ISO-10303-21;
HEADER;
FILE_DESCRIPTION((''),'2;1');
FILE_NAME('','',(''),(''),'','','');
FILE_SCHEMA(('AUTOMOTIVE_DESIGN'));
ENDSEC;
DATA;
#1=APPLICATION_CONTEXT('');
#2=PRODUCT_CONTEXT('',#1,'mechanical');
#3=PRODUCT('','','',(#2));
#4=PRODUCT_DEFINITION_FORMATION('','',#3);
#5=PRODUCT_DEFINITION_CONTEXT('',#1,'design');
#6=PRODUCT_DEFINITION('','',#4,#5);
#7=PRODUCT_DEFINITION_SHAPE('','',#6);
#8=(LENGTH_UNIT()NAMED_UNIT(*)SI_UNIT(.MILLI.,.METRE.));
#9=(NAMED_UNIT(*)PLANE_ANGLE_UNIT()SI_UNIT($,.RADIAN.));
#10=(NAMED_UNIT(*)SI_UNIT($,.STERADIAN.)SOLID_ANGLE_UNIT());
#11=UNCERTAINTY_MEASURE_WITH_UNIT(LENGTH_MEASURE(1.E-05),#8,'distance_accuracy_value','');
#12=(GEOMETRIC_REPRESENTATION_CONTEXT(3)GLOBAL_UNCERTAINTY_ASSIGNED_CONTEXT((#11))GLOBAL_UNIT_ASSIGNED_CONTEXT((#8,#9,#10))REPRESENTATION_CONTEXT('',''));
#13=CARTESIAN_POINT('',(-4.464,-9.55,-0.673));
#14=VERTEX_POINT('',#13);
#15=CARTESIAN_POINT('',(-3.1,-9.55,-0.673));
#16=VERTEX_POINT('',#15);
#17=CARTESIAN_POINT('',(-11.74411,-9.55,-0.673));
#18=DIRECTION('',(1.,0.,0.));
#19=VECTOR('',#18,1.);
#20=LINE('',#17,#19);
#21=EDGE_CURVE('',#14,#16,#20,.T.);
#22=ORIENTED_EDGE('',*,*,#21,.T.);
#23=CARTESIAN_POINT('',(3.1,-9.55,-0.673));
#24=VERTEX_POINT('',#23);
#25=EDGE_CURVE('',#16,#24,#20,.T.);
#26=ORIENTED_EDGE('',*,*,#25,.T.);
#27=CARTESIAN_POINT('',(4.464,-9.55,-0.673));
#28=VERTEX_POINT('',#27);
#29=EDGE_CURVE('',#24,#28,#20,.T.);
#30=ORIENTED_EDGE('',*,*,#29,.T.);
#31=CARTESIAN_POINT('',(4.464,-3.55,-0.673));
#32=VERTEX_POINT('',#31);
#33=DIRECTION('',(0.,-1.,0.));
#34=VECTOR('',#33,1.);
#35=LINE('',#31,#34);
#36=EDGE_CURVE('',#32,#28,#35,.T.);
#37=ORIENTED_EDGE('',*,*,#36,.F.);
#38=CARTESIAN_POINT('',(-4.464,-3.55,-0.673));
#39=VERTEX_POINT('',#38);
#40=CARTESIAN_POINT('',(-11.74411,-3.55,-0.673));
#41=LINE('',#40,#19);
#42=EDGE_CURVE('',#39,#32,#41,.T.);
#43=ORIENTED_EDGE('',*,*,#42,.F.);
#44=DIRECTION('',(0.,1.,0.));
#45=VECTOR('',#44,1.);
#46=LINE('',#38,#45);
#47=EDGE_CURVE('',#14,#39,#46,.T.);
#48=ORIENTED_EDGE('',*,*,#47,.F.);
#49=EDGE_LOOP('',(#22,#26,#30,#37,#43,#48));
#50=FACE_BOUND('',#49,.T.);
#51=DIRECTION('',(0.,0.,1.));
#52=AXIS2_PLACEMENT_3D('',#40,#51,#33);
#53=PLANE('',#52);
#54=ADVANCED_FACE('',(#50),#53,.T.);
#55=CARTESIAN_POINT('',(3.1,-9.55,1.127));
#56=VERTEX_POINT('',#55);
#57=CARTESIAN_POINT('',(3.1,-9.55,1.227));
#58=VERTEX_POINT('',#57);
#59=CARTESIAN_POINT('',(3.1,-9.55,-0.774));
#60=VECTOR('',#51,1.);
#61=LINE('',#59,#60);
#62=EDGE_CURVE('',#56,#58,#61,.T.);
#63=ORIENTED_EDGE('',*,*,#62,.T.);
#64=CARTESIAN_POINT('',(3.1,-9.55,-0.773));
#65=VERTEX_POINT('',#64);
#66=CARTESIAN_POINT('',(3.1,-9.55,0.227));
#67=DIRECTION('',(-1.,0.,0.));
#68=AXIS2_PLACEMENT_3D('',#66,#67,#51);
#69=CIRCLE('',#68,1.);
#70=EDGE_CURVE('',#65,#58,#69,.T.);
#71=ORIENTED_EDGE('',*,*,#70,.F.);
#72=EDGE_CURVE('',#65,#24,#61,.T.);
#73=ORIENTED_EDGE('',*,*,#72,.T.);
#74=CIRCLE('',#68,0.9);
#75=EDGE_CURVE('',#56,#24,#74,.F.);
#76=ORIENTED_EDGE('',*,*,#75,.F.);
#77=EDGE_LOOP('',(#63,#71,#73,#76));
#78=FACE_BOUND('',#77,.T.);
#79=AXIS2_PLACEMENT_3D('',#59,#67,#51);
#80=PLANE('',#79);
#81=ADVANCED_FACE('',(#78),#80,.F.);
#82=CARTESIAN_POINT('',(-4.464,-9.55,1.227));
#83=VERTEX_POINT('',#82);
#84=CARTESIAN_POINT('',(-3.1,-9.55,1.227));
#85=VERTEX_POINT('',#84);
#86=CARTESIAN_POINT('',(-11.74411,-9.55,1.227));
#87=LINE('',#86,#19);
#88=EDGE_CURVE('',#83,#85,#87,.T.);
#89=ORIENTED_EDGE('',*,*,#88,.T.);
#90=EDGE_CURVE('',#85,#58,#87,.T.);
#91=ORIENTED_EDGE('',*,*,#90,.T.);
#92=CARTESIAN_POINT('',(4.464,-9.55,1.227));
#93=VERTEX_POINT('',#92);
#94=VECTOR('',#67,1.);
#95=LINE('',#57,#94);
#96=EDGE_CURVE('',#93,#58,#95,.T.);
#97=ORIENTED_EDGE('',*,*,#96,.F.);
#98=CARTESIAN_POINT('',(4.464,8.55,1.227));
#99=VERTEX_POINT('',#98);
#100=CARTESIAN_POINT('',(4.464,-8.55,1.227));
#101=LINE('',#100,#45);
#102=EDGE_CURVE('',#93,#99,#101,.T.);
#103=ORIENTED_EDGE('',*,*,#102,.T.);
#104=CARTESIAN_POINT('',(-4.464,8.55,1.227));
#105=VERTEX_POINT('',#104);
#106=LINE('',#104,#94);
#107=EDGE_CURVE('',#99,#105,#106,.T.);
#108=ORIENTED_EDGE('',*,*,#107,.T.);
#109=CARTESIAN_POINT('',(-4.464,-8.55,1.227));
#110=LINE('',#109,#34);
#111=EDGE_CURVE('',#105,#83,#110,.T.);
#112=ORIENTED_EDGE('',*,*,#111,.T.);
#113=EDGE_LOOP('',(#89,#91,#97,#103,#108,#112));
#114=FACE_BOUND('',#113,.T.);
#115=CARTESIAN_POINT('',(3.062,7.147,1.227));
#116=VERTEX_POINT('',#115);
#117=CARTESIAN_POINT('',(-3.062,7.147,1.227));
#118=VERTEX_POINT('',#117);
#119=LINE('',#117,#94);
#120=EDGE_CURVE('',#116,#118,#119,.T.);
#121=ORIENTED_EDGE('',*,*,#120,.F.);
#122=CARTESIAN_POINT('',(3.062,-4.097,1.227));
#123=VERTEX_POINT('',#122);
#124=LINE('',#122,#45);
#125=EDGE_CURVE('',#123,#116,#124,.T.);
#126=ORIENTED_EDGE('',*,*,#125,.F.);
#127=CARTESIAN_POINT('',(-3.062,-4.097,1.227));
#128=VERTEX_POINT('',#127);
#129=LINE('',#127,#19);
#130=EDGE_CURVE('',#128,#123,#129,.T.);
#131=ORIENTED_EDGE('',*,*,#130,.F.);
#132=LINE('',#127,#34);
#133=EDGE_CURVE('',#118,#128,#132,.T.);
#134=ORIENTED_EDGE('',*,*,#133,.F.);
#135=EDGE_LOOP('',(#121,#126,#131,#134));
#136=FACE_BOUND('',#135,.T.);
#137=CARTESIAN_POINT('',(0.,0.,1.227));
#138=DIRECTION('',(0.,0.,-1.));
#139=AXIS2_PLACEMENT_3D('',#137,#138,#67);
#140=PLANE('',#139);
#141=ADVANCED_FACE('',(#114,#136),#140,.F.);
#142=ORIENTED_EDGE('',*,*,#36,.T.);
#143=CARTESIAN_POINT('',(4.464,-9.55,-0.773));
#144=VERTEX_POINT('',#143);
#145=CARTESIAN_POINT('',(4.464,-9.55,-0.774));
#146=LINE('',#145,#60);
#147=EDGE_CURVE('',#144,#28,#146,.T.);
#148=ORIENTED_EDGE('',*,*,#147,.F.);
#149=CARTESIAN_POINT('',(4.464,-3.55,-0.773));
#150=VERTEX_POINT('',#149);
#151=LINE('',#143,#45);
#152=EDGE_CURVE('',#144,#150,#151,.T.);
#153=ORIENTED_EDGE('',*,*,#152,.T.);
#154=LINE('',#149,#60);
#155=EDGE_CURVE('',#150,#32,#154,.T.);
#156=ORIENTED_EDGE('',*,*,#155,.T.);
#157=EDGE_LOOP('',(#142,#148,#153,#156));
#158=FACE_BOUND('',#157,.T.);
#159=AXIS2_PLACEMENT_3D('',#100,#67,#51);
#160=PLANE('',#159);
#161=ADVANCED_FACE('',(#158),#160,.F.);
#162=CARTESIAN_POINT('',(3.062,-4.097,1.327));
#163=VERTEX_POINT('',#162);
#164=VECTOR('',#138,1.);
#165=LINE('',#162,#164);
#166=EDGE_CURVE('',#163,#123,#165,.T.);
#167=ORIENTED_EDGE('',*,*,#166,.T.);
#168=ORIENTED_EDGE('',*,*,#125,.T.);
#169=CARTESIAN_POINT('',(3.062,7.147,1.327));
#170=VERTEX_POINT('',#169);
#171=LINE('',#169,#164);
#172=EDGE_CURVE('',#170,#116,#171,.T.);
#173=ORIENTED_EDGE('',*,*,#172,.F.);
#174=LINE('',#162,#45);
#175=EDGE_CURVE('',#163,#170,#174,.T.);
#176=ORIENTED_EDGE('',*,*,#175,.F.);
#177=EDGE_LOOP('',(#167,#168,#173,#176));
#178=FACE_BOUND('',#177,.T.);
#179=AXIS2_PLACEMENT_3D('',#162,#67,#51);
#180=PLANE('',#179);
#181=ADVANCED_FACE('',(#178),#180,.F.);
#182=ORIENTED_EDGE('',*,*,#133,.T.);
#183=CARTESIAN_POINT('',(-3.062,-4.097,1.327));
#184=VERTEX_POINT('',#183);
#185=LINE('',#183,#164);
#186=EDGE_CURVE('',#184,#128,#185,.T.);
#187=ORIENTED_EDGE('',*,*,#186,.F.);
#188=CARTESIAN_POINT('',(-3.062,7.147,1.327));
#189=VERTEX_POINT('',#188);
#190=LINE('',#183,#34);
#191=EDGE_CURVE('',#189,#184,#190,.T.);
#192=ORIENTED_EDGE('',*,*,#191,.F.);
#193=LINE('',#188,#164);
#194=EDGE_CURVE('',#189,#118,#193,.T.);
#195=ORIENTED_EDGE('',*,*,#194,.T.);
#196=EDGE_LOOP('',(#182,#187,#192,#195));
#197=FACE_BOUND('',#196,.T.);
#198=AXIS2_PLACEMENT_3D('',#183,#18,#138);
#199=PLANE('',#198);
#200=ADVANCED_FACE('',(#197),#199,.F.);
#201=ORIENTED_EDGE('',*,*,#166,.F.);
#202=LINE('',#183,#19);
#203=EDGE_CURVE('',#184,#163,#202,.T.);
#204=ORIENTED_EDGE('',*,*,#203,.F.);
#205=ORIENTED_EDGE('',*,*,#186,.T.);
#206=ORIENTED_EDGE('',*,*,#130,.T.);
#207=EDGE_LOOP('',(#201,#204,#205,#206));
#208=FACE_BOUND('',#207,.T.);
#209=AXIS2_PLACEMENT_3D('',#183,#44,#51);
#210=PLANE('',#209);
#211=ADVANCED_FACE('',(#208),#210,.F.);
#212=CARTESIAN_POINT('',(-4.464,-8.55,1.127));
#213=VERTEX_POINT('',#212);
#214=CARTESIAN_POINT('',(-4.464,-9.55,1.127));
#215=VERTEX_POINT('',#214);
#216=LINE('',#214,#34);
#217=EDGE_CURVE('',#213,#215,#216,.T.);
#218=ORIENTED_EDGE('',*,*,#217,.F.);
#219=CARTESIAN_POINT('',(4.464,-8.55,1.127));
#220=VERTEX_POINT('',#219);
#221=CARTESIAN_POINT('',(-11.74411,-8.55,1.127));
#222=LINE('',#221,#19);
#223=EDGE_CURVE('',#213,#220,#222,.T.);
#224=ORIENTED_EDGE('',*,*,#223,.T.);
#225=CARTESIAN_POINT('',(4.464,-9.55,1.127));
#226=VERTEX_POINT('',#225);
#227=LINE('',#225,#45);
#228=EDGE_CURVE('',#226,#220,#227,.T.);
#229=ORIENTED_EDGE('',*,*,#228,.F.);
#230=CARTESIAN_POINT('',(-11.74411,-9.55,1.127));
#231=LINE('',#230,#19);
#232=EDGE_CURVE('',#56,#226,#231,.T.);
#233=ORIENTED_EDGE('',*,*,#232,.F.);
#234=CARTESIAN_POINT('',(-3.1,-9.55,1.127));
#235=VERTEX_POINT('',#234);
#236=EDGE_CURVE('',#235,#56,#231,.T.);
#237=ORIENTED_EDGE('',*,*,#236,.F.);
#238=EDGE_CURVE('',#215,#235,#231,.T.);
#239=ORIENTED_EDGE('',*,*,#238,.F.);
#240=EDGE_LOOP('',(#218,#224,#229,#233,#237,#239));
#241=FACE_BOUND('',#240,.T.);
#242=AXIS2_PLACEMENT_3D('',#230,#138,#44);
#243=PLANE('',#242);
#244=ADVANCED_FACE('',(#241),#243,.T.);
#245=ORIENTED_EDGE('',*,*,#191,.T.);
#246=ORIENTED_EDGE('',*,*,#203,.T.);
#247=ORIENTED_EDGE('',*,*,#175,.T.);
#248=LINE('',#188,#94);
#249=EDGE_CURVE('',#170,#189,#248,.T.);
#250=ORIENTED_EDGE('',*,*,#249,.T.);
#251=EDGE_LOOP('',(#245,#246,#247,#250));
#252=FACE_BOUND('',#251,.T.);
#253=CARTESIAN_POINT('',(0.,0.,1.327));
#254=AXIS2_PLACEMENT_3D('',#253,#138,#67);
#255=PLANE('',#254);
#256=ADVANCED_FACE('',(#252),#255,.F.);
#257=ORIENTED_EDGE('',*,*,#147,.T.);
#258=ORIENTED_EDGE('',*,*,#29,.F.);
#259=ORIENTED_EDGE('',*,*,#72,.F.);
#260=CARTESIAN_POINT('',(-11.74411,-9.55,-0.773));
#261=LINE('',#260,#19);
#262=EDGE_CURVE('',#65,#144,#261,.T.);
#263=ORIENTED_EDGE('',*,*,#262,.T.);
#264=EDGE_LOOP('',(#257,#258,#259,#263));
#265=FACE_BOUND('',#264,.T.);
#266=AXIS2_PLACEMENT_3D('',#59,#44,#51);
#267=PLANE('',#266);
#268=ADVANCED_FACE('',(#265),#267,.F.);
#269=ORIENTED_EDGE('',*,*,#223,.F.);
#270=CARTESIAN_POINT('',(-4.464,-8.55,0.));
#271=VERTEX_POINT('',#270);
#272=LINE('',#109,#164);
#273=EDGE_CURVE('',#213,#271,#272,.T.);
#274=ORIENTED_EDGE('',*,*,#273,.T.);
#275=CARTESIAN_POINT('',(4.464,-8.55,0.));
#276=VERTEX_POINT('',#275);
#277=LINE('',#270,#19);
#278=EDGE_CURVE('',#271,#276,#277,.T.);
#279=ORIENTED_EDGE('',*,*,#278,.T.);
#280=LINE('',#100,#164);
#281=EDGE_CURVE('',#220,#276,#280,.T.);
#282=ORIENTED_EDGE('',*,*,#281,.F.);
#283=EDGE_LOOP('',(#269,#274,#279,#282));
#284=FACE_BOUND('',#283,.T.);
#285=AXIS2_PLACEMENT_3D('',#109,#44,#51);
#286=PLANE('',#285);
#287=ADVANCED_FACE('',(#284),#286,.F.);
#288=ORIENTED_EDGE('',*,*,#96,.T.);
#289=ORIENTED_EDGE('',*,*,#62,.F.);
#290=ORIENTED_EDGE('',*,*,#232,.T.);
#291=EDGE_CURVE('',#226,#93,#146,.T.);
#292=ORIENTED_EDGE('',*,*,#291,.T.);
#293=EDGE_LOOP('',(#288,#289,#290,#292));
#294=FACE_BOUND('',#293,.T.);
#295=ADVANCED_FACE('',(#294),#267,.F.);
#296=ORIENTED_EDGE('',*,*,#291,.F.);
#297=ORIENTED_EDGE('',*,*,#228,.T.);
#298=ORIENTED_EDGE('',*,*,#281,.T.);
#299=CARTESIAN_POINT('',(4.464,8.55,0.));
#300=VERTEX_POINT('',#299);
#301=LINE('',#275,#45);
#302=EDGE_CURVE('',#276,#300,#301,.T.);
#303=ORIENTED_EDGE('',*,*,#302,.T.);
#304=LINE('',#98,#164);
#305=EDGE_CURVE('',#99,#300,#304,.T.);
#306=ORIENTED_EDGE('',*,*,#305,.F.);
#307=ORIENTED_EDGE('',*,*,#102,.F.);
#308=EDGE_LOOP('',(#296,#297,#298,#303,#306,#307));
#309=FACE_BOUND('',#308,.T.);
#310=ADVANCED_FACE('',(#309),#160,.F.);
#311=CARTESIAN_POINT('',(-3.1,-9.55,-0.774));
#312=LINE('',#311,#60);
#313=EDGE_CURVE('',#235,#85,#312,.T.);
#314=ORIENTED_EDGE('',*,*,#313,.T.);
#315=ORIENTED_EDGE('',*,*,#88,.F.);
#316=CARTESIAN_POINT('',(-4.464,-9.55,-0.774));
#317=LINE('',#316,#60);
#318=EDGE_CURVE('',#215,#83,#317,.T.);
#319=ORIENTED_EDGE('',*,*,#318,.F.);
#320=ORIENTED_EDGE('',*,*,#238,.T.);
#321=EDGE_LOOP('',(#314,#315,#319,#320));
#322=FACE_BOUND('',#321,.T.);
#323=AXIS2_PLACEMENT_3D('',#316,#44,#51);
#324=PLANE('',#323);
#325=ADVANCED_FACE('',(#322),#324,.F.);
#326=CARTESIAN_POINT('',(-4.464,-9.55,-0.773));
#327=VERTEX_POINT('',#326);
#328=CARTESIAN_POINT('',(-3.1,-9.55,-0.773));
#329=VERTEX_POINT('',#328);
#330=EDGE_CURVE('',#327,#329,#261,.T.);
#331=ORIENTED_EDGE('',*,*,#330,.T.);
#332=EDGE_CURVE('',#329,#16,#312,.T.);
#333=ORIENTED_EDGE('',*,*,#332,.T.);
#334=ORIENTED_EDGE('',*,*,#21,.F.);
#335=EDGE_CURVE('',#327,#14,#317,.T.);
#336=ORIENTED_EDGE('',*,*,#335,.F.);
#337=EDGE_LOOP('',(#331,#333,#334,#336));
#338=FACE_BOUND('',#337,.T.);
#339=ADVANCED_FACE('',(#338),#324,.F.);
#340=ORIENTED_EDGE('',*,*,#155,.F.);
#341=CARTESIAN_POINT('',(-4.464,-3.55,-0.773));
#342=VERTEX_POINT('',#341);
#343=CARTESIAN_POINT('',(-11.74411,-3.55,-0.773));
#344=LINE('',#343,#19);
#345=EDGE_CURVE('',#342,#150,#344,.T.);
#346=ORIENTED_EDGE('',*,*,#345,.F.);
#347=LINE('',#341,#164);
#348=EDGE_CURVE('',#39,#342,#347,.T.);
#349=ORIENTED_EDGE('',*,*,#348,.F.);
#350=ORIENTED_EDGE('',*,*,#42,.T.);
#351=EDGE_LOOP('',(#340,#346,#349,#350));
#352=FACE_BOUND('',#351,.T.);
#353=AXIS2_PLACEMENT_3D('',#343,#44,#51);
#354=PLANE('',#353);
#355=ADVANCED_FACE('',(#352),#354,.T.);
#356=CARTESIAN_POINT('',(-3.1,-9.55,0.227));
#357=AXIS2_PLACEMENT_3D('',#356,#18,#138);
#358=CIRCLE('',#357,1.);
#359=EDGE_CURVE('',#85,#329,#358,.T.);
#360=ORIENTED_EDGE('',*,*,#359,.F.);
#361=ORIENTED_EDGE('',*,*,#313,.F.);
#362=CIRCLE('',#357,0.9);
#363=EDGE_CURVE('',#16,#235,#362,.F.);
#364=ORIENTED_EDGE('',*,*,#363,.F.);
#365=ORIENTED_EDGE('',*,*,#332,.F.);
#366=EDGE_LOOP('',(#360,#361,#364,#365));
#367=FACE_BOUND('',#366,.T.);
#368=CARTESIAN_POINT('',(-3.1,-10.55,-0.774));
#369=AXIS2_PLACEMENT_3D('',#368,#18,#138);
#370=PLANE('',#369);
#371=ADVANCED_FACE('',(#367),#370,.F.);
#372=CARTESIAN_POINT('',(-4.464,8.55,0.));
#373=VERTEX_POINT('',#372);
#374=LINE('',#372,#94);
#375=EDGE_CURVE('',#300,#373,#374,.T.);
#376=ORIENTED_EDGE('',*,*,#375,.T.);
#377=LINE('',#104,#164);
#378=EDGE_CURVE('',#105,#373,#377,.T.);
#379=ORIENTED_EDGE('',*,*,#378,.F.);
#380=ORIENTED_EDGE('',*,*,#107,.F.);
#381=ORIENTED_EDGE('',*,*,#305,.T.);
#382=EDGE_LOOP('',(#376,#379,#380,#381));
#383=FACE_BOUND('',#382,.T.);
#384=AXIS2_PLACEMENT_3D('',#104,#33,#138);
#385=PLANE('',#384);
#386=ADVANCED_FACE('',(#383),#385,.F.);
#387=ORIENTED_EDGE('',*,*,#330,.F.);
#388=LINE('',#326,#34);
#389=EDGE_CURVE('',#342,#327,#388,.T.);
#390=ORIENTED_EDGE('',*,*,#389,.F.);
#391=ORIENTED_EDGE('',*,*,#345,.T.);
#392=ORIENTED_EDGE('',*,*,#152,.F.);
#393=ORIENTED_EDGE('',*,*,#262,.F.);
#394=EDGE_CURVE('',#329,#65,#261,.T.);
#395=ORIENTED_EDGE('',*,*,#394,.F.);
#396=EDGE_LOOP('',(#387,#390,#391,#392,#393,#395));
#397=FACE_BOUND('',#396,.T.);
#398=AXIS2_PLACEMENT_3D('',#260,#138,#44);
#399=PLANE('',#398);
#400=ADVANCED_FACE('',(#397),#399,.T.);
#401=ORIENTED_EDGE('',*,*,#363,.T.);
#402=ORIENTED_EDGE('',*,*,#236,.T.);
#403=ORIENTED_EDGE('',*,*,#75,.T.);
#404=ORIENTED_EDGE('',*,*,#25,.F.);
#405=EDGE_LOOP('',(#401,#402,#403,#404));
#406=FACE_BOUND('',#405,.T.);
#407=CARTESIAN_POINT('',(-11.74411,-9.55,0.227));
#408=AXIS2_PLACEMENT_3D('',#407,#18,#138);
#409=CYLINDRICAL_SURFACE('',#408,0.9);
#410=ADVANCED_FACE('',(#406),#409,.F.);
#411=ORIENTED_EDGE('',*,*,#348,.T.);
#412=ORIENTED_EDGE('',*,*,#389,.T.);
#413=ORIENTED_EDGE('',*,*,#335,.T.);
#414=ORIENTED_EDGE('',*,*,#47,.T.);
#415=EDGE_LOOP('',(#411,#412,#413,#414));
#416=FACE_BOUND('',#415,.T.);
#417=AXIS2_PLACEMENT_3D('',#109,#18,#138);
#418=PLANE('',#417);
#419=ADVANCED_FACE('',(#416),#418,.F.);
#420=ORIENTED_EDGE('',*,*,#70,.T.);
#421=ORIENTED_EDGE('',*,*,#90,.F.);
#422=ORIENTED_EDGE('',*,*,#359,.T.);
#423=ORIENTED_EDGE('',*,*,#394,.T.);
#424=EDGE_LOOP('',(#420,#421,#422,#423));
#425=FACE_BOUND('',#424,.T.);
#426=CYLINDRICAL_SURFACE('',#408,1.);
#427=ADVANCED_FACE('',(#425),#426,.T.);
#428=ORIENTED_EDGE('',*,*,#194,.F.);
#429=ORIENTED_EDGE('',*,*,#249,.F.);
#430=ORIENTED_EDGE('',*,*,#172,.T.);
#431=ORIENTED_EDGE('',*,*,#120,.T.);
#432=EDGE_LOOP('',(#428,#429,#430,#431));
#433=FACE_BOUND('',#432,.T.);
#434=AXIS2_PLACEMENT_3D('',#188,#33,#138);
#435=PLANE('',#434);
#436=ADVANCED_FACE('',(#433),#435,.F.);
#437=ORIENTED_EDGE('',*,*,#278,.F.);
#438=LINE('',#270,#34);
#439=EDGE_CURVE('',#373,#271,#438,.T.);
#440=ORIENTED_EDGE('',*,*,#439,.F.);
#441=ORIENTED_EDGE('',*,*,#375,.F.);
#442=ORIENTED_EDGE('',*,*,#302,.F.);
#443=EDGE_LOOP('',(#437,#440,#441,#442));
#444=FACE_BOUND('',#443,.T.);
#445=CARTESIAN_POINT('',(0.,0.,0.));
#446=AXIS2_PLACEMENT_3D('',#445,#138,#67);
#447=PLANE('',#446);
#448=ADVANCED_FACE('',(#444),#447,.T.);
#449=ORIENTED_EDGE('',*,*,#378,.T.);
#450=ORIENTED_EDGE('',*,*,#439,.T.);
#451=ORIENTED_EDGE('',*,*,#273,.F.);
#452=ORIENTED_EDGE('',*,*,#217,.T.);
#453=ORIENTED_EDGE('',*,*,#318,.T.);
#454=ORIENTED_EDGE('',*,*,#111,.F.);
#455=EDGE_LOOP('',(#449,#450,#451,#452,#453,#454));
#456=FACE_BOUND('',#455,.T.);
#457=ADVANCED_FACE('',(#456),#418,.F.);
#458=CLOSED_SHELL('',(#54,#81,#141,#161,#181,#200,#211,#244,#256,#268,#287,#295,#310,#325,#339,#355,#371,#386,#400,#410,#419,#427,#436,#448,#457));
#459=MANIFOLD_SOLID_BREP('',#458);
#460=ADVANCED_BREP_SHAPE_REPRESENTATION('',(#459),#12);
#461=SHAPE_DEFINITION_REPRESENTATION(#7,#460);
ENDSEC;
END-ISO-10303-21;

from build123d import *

# Parameters (mm, degrees)
ESQUISSE1_W             = 8.928
ESQUISSE1_H             = 17.1
BOSS_EXTRU_1_DEPTH      = 1.227
ESQUISSE2_W             = 6.124
ESQUISSE2_H             = 11.244
BOSS_EXTRU_2_DEPTH      = 0.1
BOSS_EXTRU_4_DEPTH      = 8.928
ENL_V_MAT_EXTRU_1_REACH = 13.629
ESQUISSE5_W             = 1.364
ESQUISSE5_H             = 1


with BuildPart() as part:
    # Esquisse1 → Boss.-Extru.1 (new body)
    with BuildSketch(Plane.XY):
        Rectangle(ESQUISSE1_W, ESQUISSE1_H)
    extrude(amount=BOSS_EXTRU_1_DEPTH)

    # Esquisse2 → Boss.-Extru.2 (add)
    with BuildSketch(Plane.XY.offset(1.227)):
        with Locations((0, 1.525)):
            Rectangle(ESQUISSE2_W, ESQUISSE2_H)
    extrude(amount=BOSS_EXTRU_2_DEPTH)

    # Esquisse4 → Boss.-Extru.4 (add)
    with BuildSketch(Plane(origin=(4.464, 0, 0), x_dir=(0, 0, -1), z_dir=(1, 0, 0))):
        with BuildLine():
            Line((-1.227, -8.55), (-1.227, -9.55))
            ThreePointArc((-1.227, -9.55), (-0.227, -10.55), (0.773, -9.55))
            Line((0.773, -9.55), (0.773, -3.55))
            Line((0.773, -3.55), (0.673, -3.55))
            Line((0.673, -3.55), (0.673, -9.55))
            ThreePointArc((0.673, -9.55), (-0.227, -10.45), (-1.127, -9.55))
            Line((-1.127, -9.55), (-1.127, -8.55))
            Line((-1.127, -8.55), (-1.227, -8.55))
        make_face()
    extrude(amount=-BOSS_EXTRU_4_DEPTH)

    # Esquisse5 → Enlèv. mat.-Extru.1 (cut, up to next)
    with BuildSketch(Plane.XY.offset(1.227), mode=Mode.PRIVATE) as enl_v_mat_extru_1_sk1:
        with Locations((3.782, -10.05)):
            Rectangle(ESQUISSE5_W, ESQUISSE5_H)
    enl_v_mat_extru_1_tool1 = extrude(enl_v_mat_extru_1_sk1.sketch, amount=-ENL_V_MAT_EXTRU_1_REACH, mode=Mode.PRIVATE) & part.part
    # Esquisse5 → Enlèv. mat.-Extru.1 (cut, up to next)
    with BuildSketch(Plane.XY.offset(1.227), mode=Mode.PRIVATE) as enl_v_mat_extru_1_sk2:
        with Locations((-3.782, -10.05)):
            Rectangle(ESQUISSE5_W, ESQUISSE5_H)
    enl_v_mat_extru_1_tool2 = extrude(enl_v_mat_extru_1_sk2.sketch, amount=-ENL_V_MAT_EXTRU_1_REACH, mode=Mode.PRIVATE) & part.part
    add(enl_v_mat_extru_1_tool1.solids().sort_by_distance((3.782, -10.05, 1.227))[0], mode=Mode.SUBTRACT)
    add(enl_v_mat_extru_1_tool2.solids().sort_by_distance((-3.782, -10.05, 1.227))[0], mode=Mode.SUBTRACT)


solid = part.part
